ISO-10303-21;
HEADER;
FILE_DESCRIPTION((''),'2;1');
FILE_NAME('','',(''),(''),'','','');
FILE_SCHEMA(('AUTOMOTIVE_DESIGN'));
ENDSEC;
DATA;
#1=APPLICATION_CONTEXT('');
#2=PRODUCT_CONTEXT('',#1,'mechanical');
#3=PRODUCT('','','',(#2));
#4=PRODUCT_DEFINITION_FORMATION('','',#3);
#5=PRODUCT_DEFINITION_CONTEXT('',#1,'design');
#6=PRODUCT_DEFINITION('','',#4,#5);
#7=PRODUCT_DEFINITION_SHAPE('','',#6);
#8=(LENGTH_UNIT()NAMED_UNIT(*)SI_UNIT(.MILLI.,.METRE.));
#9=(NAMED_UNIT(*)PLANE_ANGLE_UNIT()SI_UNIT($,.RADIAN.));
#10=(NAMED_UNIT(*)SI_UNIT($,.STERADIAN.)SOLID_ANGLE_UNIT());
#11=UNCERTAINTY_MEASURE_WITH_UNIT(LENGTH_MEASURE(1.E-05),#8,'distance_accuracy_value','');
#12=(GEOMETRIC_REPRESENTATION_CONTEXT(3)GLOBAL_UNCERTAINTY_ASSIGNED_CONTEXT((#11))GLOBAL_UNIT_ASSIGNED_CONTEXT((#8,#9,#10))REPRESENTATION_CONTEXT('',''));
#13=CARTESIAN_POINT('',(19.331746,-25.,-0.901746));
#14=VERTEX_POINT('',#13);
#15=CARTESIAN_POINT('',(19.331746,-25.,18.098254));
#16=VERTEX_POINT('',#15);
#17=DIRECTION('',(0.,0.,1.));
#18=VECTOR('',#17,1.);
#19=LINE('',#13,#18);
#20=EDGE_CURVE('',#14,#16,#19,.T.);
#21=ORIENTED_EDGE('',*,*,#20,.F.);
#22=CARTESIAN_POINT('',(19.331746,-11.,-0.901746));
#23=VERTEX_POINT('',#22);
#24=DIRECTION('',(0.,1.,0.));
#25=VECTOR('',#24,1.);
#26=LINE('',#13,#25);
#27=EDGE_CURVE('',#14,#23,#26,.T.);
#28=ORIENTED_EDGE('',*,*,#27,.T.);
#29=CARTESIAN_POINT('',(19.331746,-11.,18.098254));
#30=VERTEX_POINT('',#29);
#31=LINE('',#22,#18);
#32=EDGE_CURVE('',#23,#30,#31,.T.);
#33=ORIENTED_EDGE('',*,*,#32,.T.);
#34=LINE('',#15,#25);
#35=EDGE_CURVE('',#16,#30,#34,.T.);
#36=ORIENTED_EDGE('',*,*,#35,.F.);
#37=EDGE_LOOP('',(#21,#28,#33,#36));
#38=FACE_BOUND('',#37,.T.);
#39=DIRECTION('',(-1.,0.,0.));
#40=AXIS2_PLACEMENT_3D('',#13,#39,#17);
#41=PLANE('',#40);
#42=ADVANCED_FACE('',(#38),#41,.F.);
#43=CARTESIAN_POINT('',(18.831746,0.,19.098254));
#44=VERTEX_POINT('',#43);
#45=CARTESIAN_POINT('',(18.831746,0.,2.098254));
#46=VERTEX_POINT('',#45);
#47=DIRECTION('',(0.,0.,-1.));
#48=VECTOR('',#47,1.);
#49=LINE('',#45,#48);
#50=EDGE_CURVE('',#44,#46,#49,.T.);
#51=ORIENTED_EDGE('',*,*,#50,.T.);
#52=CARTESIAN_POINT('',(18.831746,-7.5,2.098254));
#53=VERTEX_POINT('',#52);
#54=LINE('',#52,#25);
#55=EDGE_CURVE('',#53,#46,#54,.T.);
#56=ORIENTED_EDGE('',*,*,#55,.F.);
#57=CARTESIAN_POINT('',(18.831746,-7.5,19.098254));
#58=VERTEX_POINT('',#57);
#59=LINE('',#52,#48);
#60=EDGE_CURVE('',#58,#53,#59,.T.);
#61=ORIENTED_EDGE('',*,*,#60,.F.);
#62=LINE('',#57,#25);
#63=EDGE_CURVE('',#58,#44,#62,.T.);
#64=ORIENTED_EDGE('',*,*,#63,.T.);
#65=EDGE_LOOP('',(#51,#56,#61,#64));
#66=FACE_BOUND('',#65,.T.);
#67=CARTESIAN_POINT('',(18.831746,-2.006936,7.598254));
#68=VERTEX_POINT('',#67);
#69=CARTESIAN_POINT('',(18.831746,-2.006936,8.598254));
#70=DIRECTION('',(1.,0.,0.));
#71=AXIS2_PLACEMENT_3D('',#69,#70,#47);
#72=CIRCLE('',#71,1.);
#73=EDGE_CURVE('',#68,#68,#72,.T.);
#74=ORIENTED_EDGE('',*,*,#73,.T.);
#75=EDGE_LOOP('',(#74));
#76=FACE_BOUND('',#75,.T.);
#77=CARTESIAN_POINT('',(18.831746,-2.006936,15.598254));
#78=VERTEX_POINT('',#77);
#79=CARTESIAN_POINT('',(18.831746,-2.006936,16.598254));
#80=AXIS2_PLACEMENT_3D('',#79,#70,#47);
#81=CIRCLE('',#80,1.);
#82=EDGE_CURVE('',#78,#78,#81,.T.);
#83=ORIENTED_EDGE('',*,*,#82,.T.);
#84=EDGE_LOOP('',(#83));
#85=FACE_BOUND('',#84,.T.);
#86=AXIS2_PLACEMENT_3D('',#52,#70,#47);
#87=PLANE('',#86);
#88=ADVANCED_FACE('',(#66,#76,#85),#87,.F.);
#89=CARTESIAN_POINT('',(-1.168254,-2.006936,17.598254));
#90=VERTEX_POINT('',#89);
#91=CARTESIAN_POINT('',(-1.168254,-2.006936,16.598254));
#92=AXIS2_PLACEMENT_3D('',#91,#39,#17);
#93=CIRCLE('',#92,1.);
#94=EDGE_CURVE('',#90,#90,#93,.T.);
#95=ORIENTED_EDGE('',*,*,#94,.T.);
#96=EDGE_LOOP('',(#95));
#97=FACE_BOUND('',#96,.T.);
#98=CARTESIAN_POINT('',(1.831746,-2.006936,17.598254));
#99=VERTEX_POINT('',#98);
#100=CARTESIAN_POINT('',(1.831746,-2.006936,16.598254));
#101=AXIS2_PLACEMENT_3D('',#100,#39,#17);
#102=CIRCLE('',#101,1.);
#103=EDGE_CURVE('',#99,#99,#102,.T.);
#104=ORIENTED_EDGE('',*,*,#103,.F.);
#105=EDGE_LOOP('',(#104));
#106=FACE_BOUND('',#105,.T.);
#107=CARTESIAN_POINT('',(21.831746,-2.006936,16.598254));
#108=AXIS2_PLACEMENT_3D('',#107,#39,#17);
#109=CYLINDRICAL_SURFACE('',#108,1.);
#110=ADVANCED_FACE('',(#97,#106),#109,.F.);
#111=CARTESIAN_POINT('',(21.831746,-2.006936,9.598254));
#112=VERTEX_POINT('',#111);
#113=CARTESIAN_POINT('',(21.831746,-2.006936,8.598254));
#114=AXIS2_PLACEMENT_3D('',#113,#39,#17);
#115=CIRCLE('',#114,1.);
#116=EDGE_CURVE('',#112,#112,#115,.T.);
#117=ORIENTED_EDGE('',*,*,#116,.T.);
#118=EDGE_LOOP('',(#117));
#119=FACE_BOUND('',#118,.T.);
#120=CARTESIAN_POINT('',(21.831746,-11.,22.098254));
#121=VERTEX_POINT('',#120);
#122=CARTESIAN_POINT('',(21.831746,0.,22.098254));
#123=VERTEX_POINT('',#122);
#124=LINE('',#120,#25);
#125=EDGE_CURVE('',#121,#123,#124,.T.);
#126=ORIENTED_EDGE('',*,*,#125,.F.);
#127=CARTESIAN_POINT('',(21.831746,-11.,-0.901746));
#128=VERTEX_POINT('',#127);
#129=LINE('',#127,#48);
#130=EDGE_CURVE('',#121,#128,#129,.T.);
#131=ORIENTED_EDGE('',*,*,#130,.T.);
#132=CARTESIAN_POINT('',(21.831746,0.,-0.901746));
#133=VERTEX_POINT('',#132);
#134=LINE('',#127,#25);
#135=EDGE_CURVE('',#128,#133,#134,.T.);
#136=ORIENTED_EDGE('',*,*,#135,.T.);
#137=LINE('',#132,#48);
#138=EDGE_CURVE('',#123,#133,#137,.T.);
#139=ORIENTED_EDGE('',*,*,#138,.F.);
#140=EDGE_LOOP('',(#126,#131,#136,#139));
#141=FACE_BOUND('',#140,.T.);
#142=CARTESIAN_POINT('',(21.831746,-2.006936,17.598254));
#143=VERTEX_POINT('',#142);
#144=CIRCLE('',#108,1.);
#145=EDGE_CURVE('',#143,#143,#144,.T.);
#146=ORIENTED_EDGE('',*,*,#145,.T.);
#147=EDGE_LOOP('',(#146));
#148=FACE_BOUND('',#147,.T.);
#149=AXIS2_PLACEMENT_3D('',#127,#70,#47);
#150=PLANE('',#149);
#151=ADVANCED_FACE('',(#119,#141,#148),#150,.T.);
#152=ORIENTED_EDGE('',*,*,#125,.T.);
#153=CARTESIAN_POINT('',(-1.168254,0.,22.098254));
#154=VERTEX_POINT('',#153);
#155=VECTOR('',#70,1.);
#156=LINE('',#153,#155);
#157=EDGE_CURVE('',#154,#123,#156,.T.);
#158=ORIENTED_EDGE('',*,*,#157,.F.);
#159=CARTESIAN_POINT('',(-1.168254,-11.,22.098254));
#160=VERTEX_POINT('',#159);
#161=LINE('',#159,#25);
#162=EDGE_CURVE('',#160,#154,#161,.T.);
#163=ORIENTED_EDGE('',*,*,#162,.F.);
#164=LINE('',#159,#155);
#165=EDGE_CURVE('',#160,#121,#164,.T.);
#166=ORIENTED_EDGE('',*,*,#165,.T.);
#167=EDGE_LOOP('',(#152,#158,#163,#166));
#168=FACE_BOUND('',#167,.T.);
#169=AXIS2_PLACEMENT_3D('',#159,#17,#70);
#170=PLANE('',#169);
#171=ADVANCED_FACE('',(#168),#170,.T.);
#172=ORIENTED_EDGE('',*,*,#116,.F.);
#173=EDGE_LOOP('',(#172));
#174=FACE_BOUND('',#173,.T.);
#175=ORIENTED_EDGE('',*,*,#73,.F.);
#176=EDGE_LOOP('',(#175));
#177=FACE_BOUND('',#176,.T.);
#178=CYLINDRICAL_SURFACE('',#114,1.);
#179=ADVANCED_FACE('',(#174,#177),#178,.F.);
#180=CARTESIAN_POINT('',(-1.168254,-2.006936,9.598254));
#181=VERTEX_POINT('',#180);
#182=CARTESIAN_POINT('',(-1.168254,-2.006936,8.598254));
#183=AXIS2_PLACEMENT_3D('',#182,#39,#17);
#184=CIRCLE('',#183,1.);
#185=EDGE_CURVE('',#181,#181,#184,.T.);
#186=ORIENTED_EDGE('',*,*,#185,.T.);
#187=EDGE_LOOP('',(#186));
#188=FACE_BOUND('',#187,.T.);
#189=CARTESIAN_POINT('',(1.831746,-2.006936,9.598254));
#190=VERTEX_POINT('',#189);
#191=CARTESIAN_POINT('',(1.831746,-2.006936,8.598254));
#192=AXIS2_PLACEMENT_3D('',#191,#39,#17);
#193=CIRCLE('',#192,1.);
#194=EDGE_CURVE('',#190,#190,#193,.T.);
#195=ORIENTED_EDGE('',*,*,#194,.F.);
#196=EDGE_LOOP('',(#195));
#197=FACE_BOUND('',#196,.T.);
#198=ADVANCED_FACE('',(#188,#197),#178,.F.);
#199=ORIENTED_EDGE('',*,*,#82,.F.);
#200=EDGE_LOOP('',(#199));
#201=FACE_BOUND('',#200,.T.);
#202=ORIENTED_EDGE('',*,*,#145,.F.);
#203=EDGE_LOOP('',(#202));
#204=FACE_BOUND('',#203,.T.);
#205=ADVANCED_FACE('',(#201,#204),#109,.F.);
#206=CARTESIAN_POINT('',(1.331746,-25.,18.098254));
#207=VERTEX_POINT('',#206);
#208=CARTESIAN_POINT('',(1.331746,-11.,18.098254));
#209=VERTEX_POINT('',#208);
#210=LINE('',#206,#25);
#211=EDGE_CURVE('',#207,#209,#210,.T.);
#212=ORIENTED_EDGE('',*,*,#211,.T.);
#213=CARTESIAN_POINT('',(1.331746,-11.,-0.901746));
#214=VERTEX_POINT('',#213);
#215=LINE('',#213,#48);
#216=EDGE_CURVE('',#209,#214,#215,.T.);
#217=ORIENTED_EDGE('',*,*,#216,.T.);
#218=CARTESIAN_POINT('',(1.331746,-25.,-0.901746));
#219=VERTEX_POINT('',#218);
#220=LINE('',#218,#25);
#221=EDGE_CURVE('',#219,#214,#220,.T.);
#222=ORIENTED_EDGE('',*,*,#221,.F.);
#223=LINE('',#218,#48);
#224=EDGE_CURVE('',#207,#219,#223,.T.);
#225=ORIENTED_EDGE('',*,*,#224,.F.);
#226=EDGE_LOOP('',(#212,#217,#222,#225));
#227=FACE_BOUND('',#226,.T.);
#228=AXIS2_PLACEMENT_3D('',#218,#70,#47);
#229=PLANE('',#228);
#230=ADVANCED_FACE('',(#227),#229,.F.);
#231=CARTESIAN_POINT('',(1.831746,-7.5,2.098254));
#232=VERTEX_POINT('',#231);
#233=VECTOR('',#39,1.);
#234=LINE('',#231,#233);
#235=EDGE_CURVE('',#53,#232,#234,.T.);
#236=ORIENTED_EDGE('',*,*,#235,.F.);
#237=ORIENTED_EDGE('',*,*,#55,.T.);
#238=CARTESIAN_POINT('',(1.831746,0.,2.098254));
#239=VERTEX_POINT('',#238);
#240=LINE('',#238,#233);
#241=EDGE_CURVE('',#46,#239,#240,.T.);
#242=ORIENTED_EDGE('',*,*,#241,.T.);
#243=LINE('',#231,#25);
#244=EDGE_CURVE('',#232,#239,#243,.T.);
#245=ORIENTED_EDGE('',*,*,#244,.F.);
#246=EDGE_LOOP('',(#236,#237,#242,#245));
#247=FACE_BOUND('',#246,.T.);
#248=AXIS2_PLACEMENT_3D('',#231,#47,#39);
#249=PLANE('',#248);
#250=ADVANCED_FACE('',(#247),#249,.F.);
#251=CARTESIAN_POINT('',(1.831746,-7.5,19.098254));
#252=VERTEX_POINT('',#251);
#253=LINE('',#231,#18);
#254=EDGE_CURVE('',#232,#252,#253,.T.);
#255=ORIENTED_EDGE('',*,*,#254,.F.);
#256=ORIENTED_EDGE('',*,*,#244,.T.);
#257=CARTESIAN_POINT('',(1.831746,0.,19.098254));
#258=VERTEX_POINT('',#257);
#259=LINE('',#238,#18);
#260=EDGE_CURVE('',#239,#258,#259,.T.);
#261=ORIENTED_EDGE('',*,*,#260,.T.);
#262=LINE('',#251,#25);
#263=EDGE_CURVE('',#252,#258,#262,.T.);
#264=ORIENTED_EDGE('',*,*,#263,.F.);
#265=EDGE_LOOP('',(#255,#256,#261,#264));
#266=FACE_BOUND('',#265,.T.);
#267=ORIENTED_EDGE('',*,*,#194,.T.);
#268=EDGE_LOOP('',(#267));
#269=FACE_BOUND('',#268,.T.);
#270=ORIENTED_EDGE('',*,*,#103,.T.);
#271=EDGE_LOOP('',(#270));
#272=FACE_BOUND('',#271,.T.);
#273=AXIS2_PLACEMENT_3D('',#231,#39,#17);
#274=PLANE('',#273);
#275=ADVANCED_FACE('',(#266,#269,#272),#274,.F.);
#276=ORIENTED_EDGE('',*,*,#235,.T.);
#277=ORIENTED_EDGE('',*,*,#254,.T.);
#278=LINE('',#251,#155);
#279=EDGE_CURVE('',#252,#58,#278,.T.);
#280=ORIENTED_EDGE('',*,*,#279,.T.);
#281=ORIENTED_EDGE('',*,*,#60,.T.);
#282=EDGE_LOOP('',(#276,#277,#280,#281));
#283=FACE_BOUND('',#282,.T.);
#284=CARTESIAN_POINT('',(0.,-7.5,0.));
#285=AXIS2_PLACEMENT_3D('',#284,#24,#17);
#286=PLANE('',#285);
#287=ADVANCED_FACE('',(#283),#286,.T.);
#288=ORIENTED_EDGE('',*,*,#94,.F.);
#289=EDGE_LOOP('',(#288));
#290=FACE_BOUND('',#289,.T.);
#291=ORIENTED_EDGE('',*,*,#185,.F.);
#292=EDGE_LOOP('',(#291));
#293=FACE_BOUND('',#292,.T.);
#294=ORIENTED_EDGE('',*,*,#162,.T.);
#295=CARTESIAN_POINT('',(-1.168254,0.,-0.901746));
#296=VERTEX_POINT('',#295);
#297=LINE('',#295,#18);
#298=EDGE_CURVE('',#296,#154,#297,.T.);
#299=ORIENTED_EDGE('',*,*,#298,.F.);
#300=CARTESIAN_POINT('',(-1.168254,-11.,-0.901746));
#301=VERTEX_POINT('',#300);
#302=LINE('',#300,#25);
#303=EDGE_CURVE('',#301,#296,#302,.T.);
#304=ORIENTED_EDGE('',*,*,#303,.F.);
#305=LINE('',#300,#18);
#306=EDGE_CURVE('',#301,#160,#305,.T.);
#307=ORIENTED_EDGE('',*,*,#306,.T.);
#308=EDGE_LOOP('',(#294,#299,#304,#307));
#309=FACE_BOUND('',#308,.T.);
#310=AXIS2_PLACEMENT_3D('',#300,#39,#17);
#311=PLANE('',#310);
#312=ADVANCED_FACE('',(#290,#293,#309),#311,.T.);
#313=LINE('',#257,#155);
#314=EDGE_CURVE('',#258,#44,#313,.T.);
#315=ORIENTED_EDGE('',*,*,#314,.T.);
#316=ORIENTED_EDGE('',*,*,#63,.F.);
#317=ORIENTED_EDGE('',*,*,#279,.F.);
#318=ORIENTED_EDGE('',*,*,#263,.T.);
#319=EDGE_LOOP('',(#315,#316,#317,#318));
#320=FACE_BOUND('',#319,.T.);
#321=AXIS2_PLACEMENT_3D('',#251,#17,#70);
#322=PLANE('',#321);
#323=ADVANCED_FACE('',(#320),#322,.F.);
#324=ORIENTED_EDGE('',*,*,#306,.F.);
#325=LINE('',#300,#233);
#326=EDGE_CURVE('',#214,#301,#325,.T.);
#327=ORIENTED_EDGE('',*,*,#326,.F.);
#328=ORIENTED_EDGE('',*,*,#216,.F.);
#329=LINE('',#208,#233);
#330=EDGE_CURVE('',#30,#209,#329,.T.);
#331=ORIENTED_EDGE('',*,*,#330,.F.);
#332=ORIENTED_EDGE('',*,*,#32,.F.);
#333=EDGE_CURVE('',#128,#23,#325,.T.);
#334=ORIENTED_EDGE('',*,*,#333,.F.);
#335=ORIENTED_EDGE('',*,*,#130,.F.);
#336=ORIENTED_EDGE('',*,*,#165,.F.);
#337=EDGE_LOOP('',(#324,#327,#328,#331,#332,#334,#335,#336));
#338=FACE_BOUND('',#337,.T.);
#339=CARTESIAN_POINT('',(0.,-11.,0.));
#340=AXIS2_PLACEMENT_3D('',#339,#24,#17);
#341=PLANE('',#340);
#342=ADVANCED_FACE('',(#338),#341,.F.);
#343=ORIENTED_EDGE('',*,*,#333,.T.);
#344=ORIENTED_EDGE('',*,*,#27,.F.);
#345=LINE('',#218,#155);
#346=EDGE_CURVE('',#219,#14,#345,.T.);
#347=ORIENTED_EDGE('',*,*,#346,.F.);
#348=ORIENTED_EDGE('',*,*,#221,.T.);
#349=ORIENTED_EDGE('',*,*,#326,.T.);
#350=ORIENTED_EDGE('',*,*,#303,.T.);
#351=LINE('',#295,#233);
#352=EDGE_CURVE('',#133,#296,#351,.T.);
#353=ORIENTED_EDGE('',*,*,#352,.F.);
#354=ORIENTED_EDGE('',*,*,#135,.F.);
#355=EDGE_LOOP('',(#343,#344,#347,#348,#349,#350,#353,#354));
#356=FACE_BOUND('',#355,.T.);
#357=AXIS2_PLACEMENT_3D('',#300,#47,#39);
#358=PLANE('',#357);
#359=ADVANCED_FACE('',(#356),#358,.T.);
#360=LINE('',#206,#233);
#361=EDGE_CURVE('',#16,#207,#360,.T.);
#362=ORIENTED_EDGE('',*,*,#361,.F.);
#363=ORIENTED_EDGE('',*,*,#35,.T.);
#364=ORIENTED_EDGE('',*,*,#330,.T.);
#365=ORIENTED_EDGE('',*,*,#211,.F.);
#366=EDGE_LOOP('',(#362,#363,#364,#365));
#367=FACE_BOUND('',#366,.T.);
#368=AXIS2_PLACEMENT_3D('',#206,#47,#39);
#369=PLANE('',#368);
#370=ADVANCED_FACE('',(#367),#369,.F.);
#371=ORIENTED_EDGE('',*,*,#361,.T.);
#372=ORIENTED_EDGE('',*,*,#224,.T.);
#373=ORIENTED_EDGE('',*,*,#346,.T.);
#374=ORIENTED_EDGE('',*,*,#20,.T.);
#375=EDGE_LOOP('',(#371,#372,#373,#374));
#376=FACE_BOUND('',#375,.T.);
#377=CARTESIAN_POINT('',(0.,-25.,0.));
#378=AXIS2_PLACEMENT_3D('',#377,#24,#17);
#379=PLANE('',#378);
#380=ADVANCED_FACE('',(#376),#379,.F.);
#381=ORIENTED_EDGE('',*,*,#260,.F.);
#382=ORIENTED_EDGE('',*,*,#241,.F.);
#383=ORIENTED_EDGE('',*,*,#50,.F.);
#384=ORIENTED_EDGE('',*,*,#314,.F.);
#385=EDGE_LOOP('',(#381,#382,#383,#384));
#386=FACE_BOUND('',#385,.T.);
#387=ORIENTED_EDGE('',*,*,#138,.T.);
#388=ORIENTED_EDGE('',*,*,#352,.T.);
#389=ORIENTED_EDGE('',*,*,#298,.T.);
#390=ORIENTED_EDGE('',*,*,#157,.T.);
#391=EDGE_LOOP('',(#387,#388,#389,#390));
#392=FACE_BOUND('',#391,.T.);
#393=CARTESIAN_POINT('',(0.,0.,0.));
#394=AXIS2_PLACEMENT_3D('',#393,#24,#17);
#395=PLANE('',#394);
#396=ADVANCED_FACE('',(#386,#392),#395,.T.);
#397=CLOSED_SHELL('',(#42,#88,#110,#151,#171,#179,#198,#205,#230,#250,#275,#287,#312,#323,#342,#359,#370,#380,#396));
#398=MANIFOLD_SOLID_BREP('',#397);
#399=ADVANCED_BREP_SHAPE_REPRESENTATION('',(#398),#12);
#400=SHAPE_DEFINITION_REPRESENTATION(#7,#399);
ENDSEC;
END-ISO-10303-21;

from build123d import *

# Parameters (mm, degrees)
SKETCH1_W           = 23
SKETCH1_H           = 23
BOSS_EXTRUDE1_DEPTH = 11
SKETCH2_W           = 17
SKETCH2_H           = 17
CUT_EXTRUDE1_DEPTH  = 7.5
SKETCH3_W           = 18
SKETCH3_H           = 19
BOSS_EXTRUDE2_DEPTH = 14
SKETCH4_R           = 1
CUT_EXTRUDE2_DEPTH  = 23


with BuildPart() as part:
    # Sketch1 → Boss-Extrude1 (new body)
    with BuildSketch(Plane(origin=(0, 0, 0), x_dir=(1, 0, 0), z_dir=(0, 1, 0))):
        with Locations((10.331746032, -10.598253968)):
            Rectangle(SKETCH1_W, SKETCH1_H)
    extrude(amount=-BOSS_EXTRUDE1_DEPTH)

    # Sketch2 → Cut-Extrude1 (cut)
    with BuildSketch(Plane(origin=(0, 0, 0), x_dir=(1, 0, 0), z_dir=(0, 1, 0))):
        with Locations((10.331746032, -10.598253968)):
            Rectangle(SKETCH2_W, SKETCH2_H)
    extrude(amount=-CUT_EXTRUDE1_DEPTH, mode=Mode.SUBTRACT)

    # Sketch3 → Boss-Extrude2 (add)
    with BuildSketch(Plane.XZ.offset(11)):
        with Locations((10.331746032, 8.598253968)):
            Rectangle(SKETCH3_W, SKETCH3_H)
    extrude(amount=BOSS_EXTRUDE2_DEPTH)

    # Sketch4 → Cut-Extrude2 (cut)
    with BuildSketch(Plane.ZY.offset(1.168253968)):
        with Locations((8.598253968, -2.006935825)):
            Circle(SKETCH4_R)
        with Locations((16.598253968, -2.006935825)):
            Circle(SKETCH4_R)
    extrude(amount=-CUT_EXTRUDE2_DEPTH, mode=Mode.SUBTRACT)


solid = part.part
